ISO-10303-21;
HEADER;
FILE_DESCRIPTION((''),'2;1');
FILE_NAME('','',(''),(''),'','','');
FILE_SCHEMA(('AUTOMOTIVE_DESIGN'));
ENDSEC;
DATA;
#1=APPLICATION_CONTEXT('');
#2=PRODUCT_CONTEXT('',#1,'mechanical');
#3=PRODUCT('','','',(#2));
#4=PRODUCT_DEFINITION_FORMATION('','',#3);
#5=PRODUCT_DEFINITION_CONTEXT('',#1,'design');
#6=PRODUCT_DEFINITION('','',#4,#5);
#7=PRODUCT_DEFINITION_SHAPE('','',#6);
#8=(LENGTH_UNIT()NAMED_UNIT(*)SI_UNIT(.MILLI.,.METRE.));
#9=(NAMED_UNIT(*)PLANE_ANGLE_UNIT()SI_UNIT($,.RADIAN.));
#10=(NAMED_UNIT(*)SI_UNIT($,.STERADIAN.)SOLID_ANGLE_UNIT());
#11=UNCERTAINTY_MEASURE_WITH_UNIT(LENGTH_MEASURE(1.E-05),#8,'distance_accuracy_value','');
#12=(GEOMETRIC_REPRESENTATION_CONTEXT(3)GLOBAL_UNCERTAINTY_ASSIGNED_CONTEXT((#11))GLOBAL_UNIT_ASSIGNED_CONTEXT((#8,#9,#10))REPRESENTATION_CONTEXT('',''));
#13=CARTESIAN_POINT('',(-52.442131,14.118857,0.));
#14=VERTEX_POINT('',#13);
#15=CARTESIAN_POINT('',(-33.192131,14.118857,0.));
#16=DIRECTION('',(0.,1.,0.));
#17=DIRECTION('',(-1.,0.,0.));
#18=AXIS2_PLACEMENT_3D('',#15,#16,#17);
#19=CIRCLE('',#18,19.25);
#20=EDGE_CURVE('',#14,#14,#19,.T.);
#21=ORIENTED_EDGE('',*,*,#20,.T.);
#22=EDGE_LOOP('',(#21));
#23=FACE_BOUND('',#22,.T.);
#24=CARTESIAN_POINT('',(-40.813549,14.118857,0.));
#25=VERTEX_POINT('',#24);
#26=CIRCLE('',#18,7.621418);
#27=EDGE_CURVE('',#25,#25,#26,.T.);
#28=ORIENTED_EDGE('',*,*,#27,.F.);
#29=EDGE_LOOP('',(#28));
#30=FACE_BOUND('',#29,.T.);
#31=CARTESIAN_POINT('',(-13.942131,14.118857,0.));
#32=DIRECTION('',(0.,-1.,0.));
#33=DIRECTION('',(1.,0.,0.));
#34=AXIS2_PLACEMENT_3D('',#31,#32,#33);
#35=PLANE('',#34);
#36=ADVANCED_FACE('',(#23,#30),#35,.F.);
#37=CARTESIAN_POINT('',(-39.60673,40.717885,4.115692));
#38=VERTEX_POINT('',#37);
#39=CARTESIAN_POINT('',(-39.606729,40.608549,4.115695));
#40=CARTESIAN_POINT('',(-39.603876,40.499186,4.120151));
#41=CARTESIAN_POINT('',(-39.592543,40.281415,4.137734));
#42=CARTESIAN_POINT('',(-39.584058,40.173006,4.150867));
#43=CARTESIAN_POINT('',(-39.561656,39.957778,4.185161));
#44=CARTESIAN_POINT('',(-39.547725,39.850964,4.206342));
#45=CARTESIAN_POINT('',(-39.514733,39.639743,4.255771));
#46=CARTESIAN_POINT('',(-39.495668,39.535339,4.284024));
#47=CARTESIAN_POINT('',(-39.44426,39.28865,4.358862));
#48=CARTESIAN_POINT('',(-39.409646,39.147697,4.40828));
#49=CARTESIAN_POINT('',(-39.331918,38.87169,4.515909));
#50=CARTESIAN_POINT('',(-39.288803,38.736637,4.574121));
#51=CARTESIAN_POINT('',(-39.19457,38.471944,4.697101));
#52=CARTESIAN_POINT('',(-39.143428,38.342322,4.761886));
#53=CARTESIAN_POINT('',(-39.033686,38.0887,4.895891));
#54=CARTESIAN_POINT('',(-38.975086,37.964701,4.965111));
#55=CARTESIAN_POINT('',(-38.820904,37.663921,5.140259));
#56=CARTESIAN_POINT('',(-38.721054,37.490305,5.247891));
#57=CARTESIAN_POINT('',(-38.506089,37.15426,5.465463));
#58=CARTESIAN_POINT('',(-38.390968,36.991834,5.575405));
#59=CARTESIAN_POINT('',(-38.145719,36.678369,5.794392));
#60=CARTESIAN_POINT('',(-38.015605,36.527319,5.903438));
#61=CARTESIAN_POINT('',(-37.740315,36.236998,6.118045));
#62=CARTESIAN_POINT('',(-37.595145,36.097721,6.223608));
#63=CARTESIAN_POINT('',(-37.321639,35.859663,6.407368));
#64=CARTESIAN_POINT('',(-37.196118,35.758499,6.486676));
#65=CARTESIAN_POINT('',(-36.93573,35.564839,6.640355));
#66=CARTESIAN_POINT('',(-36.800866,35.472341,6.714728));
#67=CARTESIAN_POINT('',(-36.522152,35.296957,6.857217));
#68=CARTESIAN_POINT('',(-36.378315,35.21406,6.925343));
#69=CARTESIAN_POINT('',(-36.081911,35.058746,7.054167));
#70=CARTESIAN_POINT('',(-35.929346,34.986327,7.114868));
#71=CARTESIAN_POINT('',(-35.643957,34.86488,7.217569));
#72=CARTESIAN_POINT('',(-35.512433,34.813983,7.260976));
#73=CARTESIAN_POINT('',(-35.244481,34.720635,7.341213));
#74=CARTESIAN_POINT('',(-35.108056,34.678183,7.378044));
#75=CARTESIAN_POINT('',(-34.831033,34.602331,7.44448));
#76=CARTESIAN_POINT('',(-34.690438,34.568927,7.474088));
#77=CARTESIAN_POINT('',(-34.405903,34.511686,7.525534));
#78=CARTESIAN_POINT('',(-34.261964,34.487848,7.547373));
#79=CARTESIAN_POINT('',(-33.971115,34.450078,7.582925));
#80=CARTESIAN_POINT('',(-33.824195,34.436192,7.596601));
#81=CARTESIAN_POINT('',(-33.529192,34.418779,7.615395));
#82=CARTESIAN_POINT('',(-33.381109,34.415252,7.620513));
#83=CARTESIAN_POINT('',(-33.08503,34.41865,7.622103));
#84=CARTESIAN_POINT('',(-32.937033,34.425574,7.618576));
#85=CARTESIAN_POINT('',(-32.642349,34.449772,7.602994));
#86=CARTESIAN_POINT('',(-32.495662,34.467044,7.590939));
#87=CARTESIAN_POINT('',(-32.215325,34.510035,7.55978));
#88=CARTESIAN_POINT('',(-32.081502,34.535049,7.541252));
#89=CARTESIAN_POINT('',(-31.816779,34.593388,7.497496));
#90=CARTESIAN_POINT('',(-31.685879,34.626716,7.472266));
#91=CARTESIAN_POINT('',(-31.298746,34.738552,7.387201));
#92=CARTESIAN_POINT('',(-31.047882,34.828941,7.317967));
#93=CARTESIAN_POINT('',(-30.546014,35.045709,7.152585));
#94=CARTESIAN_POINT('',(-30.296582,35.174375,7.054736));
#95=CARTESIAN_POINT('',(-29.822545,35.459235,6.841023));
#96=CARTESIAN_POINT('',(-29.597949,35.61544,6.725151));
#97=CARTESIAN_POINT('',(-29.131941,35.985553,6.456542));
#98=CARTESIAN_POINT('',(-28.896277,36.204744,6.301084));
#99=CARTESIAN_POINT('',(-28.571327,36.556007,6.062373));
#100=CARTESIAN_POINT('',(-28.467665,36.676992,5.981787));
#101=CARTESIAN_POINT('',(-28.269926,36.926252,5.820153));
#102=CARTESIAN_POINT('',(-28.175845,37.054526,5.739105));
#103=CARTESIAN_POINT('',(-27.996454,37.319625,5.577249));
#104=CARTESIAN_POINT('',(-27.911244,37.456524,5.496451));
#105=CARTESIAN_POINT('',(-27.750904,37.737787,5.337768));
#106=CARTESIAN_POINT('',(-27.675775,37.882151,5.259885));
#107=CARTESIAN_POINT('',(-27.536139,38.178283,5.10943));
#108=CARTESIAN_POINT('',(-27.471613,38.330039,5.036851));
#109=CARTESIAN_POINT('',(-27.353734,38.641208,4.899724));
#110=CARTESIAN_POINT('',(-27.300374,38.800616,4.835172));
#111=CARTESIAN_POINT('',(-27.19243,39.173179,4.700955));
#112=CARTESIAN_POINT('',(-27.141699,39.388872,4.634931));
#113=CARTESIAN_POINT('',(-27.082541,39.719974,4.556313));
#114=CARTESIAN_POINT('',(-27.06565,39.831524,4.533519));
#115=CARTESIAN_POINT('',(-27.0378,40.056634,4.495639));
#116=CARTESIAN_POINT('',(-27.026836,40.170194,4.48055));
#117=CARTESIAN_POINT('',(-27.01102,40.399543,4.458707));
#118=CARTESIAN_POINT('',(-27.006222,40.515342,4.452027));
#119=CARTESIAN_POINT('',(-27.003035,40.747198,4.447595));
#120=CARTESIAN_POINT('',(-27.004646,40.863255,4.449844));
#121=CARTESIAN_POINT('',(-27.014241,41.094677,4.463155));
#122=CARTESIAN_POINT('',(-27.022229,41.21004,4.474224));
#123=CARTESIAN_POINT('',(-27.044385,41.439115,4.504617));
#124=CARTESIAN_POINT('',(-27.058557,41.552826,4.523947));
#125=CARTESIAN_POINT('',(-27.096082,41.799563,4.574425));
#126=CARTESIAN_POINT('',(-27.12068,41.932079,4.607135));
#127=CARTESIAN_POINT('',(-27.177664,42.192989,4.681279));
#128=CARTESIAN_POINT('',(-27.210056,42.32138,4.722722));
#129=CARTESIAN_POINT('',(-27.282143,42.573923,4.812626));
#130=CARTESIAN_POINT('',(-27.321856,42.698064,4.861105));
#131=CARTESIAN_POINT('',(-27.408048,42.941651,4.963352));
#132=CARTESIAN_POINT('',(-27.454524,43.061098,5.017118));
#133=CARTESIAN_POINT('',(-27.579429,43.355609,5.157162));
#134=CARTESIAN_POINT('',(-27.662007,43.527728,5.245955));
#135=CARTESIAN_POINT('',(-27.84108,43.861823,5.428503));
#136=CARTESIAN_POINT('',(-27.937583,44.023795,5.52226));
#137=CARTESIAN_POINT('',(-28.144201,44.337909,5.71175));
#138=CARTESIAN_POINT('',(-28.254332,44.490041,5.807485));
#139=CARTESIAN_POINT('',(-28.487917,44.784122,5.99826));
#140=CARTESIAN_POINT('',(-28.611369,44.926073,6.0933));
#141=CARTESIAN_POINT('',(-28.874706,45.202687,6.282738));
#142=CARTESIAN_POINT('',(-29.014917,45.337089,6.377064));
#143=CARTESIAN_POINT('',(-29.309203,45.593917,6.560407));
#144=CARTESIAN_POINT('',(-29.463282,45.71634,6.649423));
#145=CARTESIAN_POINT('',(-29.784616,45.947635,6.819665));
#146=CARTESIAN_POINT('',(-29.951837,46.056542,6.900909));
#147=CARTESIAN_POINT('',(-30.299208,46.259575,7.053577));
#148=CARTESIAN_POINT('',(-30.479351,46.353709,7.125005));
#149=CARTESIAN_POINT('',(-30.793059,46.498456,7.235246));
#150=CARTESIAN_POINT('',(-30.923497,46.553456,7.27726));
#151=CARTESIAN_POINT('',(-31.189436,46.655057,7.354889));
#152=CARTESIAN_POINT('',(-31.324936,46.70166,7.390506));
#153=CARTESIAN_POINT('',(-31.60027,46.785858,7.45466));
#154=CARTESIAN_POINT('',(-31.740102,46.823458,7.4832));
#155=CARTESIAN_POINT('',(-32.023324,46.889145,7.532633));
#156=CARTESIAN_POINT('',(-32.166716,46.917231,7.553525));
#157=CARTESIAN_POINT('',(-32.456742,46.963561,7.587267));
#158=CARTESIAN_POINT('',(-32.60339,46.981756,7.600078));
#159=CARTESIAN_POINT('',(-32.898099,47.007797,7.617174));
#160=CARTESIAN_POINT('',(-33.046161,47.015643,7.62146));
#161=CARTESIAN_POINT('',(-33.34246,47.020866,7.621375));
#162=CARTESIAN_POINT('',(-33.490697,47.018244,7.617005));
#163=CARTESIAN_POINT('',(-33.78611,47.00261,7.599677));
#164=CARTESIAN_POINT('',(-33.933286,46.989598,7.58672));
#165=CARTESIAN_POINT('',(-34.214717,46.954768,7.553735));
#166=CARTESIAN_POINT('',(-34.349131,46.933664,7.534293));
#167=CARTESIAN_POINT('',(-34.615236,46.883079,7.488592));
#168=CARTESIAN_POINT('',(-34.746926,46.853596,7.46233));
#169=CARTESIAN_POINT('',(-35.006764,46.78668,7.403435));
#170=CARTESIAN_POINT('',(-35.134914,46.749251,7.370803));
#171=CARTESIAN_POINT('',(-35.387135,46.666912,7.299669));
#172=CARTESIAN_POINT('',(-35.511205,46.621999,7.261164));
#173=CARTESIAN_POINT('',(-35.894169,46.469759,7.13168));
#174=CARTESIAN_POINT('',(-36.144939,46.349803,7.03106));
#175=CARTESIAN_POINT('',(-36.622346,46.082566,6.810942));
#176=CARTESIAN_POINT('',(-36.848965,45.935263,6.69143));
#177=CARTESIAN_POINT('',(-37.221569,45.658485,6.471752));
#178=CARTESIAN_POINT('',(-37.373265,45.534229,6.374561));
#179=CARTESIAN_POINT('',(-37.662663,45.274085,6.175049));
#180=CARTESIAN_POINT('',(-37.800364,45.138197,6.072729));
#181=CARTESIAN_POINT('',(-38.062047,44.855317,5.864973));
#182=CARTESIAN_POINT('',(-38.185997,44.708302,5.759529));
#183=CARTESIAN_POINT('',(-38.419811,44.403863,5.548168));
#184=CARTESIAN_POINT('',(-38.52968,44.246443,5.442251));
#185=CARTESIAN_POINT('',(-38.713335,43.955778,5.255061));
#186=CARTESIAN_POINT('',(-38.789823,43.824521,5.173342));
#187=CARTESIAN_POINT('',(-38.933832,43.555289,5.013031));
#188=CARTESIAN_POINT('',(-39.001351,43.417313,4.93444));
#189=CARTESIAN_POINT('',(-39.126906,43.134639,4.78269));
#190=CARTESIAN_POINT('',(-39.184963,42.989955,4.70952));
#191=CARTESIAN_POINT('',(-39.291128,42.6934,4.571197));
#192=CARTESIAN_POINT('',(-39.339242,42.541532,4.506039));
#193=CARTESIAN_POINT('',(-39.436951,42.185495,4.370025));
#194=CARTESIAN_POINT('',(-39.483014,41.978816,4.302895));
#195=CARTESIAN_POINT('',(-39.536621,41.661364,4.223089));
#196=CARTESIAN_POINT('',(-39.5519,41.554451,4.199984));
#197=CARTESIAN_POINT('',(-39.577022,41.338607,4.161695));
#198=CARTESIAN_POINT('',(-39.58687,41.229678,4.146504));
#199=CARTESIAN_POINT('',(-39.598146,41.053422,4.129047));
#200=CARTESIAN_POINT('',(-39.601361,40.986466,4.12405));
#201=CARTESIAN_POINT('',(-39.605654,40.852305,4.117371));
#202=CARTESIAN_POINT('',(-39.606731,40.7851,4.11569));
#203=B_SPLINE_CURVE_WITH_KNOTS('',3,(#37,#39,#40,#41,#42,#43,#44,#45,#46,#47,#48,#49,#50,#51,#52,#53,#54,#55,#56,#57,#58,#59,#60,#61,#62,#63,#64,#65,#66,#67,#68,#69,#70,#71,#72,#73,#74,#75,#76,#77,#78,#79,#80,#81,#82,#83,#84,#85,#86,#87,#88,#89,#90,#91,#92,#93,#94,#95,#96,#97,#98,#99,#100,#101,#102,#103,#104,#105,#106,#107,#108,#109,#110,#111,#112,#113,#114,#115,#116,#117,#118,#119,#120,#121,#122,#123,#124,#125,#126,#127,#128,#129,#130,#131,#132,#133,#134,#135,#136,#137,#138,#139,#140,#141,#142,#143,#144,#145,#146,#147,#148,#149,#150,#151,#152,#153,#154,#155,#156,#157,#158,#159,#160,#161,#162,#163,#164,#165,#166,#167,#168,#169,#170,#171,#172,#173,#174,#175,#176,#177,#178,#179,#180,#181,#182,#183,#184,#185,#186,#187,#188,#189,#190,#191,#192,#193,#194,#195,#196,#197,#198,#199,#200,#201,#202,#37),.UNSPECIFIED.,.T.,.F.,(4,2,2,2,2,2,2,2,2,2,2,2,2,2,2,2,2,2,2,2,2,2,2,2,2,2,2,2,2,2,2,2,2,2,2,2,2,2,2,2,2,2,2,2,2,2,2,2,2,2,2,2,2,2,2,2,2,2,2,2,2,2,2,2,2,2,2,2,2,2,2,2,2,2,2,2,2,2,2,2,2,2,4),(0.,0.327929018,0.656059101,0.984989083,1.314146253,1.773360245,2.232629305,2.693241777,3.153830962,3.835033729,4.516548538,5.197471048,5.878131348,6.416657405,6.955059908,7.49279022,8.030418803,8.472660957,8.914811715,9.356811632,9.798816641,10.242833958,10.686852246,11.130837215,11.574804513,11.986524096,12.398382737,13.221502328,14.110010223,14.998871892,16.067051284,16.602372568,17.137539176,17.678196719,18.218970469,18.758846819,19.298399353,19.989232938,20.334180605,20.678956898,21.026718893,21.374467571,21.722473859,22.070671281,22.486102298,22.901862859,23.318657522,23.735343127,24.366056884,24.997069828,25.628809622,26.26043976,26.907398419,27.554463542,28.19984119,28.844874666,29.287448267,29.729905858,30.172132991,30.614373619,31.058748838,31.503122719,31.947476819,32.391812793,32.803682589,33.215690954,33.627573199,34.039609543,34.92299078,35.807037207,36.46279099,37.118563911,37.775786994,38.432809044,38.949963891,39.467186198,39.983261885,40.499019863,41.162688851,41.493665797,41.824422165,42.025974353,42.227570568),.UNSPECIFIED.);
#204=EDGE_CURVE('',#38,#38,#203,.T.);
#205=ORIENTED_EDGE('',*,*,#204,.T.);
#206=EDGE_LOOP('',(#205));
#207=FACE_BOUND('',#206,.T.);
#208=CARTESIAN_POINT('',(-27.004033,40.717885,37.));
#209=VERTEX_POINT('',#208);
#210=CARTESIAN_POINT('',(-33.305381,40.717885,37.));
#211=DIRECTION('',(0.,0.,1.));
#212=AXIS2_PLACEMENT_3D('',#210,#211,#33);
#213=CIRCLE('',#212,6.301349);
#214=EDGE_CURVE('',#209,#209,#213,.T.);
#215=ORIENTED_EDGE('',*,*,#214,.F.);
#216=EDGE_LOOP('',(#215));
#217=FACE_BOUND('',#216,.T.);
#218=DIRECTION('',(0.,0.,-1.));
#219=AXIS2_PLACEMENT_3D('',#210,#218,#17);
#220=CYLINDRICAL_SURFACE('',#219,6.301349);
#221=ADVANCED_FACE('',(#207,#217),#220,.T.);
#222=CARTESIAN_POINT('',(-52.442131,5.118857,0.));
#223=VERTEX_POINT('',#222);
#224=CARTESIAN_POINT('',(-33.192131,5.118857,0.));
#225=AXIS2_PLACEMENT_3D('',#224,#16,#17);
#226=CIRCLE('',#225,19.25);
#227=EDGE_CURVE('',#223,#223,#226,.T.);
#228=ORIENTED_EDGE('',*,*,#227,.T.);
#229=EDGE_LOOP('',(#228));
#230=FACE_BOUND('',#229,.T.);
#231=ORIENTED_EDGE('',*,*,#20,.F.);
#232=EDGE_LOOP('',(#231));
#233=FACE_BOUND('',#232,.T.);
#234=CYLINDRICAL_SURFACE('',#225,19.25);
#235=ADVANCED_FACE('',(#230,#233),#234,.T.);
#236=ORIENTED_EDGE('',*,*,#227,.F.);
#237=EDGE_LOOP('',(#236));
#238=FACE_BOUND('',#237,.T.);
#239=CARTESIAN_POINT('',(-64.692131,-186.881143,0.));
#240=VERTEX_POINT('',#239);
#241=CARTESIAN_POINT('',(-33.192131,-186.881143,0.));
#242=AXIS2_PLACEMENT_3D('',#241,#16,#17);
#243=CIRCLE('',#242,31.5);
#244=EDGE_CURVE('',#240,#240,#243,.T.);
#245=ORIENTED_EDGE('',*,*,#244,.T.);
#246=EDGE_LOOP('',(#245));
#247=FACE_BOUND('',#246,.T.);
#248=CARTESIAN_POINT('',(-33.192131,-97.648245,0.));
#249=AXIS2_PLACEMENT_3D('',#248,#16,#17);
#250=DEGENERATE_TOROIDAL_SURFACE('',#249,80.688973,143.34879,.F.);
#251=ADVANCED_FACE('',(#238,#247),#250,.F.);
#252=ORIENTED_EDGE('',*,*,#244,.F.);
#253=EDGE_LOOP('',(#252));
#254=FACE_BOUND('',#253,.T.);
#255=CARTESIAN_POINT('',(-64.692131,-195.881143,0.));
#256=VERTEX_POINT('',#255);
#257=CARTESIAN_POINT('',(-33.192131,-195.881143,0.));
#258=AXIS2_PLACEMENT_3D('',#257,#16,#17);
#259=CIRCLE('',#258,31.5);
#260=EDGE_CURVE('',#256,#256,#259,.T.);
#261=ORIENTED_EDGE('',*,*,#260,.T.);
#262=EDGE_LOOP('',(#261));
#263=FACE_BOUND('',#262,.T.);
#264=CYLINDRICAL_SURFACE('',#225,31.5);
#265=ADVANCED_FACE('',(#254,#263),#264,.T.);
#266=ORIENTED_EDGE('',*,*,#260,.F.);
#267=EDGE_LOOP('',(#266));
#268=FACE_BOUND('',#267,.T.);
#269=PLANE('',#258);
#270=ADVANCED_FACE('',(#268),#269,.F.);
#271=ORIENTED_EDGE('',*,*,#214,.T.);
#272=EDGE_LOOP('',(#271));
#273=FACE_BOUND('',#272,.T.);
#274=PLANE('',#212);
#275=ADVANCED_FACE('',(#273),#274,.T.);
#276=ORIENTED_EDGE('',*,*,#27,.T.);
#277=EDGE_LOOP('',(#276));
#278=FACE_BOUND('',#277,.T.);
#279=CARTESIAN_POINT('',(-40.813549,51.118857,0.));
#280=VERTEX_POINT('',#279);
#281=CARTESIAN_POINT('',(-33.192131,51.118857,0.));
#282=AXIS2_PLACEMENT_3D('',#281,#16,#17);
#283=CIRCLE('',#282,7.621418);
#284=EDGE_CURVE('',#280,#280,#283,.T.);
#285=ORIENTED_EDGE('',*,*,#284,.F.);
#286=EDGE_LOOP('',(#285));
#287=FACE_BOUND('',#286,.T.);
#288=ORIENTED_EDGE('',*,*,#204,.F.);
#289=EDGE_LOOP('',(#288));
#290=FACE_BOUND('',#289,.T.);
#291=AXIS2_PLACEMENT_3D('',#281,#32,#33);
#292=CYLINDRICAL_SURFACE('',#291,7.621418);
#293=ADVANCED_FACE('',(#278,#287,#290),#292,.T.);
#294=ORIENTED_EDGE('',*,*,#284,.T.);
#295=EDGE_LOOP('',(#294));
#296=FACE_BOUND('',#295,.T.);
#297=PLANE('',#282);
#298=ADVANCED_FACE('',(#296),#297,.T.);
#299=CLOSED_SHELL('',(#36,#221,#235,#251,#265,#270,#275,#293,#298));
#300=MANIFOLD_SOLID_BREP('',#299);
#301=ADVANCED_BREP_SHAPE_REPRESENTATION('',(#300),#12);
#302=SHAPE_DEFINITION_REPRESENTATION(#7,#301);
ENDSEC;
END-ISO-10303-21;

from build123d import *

# Parameters (mm, degrees)
SKETCH2_R           = 7.621417702
BOSS_EXTRUDE1_DEPTH = 37
SKETCH3_R           = 6.301348683
BOSS_EXTRUDE2_DEPTH = 37


with BuildPart() as part:
    # Sketch1 → Revolve1 (revolve)
    with BuildSketch(Plane.XY, mode=Mode.PRIVATE) as revolve1_sk:
        with BuildLine():
            Line((-13.94213087, 14.118857143), (-33.19213087, 14.118857143))
            Line((-33.19213087, 14.118857143), (-33.19213087, 5.118857143))
            Line((-33.19213087, 5.118857143), (-33.19213087, -186.881142857))
            Line((-33.19213087, -186.881142857), (-33.19213087, -195.881142857))
            Line((-33.19213087, -195.881142857), (-1.69213087, -195.881142857))
            Line((-1.69213087, -195.881142857), (-1.69213087, -186.881142857))
            ThreePointArc((-1.69213087, -186.881142857), (29.176808752, -88.520852439), (-13.94213087, 5.118857143))
            Line((-13.94213087, 5.118857143), (-13.94213087, 14.118857143))
        make_face()
    revolve(revolve1_sk.sketch.rotate(Axis((-33.19213087, 5.118857143, 0), (0, -1, 0)), 180), axis=Axis((-33.19213087, 5.118857143, 0), (0, -1, 0)))

    # Sketch2 → Boss-Extrude1 (add)
    with BuildSketch(Plane(origin=(0, 14.118857143, 0), x_dir=(1, 0, 0), z_dir=(0, 1, 0))):
        with Locations(Location((-33.19213087, 0, 0), (0, 0, 180))):
            Circle(SKETCH2_R)
    extrude(amount=BOSS_EXTRUDE1_DEPTH)

    # Sketch3 → Boss-Extrude2 (add)
    with BuildSketch(Plane.XY):
        with Locations(Location((-33.305381498, 40.717884654, 0), (0, 0, 180))):
            Circle(SKETCH3_R)
    extrude(amount=BOSS_EXTRUDE2_DEPTH)


solid = part.part
